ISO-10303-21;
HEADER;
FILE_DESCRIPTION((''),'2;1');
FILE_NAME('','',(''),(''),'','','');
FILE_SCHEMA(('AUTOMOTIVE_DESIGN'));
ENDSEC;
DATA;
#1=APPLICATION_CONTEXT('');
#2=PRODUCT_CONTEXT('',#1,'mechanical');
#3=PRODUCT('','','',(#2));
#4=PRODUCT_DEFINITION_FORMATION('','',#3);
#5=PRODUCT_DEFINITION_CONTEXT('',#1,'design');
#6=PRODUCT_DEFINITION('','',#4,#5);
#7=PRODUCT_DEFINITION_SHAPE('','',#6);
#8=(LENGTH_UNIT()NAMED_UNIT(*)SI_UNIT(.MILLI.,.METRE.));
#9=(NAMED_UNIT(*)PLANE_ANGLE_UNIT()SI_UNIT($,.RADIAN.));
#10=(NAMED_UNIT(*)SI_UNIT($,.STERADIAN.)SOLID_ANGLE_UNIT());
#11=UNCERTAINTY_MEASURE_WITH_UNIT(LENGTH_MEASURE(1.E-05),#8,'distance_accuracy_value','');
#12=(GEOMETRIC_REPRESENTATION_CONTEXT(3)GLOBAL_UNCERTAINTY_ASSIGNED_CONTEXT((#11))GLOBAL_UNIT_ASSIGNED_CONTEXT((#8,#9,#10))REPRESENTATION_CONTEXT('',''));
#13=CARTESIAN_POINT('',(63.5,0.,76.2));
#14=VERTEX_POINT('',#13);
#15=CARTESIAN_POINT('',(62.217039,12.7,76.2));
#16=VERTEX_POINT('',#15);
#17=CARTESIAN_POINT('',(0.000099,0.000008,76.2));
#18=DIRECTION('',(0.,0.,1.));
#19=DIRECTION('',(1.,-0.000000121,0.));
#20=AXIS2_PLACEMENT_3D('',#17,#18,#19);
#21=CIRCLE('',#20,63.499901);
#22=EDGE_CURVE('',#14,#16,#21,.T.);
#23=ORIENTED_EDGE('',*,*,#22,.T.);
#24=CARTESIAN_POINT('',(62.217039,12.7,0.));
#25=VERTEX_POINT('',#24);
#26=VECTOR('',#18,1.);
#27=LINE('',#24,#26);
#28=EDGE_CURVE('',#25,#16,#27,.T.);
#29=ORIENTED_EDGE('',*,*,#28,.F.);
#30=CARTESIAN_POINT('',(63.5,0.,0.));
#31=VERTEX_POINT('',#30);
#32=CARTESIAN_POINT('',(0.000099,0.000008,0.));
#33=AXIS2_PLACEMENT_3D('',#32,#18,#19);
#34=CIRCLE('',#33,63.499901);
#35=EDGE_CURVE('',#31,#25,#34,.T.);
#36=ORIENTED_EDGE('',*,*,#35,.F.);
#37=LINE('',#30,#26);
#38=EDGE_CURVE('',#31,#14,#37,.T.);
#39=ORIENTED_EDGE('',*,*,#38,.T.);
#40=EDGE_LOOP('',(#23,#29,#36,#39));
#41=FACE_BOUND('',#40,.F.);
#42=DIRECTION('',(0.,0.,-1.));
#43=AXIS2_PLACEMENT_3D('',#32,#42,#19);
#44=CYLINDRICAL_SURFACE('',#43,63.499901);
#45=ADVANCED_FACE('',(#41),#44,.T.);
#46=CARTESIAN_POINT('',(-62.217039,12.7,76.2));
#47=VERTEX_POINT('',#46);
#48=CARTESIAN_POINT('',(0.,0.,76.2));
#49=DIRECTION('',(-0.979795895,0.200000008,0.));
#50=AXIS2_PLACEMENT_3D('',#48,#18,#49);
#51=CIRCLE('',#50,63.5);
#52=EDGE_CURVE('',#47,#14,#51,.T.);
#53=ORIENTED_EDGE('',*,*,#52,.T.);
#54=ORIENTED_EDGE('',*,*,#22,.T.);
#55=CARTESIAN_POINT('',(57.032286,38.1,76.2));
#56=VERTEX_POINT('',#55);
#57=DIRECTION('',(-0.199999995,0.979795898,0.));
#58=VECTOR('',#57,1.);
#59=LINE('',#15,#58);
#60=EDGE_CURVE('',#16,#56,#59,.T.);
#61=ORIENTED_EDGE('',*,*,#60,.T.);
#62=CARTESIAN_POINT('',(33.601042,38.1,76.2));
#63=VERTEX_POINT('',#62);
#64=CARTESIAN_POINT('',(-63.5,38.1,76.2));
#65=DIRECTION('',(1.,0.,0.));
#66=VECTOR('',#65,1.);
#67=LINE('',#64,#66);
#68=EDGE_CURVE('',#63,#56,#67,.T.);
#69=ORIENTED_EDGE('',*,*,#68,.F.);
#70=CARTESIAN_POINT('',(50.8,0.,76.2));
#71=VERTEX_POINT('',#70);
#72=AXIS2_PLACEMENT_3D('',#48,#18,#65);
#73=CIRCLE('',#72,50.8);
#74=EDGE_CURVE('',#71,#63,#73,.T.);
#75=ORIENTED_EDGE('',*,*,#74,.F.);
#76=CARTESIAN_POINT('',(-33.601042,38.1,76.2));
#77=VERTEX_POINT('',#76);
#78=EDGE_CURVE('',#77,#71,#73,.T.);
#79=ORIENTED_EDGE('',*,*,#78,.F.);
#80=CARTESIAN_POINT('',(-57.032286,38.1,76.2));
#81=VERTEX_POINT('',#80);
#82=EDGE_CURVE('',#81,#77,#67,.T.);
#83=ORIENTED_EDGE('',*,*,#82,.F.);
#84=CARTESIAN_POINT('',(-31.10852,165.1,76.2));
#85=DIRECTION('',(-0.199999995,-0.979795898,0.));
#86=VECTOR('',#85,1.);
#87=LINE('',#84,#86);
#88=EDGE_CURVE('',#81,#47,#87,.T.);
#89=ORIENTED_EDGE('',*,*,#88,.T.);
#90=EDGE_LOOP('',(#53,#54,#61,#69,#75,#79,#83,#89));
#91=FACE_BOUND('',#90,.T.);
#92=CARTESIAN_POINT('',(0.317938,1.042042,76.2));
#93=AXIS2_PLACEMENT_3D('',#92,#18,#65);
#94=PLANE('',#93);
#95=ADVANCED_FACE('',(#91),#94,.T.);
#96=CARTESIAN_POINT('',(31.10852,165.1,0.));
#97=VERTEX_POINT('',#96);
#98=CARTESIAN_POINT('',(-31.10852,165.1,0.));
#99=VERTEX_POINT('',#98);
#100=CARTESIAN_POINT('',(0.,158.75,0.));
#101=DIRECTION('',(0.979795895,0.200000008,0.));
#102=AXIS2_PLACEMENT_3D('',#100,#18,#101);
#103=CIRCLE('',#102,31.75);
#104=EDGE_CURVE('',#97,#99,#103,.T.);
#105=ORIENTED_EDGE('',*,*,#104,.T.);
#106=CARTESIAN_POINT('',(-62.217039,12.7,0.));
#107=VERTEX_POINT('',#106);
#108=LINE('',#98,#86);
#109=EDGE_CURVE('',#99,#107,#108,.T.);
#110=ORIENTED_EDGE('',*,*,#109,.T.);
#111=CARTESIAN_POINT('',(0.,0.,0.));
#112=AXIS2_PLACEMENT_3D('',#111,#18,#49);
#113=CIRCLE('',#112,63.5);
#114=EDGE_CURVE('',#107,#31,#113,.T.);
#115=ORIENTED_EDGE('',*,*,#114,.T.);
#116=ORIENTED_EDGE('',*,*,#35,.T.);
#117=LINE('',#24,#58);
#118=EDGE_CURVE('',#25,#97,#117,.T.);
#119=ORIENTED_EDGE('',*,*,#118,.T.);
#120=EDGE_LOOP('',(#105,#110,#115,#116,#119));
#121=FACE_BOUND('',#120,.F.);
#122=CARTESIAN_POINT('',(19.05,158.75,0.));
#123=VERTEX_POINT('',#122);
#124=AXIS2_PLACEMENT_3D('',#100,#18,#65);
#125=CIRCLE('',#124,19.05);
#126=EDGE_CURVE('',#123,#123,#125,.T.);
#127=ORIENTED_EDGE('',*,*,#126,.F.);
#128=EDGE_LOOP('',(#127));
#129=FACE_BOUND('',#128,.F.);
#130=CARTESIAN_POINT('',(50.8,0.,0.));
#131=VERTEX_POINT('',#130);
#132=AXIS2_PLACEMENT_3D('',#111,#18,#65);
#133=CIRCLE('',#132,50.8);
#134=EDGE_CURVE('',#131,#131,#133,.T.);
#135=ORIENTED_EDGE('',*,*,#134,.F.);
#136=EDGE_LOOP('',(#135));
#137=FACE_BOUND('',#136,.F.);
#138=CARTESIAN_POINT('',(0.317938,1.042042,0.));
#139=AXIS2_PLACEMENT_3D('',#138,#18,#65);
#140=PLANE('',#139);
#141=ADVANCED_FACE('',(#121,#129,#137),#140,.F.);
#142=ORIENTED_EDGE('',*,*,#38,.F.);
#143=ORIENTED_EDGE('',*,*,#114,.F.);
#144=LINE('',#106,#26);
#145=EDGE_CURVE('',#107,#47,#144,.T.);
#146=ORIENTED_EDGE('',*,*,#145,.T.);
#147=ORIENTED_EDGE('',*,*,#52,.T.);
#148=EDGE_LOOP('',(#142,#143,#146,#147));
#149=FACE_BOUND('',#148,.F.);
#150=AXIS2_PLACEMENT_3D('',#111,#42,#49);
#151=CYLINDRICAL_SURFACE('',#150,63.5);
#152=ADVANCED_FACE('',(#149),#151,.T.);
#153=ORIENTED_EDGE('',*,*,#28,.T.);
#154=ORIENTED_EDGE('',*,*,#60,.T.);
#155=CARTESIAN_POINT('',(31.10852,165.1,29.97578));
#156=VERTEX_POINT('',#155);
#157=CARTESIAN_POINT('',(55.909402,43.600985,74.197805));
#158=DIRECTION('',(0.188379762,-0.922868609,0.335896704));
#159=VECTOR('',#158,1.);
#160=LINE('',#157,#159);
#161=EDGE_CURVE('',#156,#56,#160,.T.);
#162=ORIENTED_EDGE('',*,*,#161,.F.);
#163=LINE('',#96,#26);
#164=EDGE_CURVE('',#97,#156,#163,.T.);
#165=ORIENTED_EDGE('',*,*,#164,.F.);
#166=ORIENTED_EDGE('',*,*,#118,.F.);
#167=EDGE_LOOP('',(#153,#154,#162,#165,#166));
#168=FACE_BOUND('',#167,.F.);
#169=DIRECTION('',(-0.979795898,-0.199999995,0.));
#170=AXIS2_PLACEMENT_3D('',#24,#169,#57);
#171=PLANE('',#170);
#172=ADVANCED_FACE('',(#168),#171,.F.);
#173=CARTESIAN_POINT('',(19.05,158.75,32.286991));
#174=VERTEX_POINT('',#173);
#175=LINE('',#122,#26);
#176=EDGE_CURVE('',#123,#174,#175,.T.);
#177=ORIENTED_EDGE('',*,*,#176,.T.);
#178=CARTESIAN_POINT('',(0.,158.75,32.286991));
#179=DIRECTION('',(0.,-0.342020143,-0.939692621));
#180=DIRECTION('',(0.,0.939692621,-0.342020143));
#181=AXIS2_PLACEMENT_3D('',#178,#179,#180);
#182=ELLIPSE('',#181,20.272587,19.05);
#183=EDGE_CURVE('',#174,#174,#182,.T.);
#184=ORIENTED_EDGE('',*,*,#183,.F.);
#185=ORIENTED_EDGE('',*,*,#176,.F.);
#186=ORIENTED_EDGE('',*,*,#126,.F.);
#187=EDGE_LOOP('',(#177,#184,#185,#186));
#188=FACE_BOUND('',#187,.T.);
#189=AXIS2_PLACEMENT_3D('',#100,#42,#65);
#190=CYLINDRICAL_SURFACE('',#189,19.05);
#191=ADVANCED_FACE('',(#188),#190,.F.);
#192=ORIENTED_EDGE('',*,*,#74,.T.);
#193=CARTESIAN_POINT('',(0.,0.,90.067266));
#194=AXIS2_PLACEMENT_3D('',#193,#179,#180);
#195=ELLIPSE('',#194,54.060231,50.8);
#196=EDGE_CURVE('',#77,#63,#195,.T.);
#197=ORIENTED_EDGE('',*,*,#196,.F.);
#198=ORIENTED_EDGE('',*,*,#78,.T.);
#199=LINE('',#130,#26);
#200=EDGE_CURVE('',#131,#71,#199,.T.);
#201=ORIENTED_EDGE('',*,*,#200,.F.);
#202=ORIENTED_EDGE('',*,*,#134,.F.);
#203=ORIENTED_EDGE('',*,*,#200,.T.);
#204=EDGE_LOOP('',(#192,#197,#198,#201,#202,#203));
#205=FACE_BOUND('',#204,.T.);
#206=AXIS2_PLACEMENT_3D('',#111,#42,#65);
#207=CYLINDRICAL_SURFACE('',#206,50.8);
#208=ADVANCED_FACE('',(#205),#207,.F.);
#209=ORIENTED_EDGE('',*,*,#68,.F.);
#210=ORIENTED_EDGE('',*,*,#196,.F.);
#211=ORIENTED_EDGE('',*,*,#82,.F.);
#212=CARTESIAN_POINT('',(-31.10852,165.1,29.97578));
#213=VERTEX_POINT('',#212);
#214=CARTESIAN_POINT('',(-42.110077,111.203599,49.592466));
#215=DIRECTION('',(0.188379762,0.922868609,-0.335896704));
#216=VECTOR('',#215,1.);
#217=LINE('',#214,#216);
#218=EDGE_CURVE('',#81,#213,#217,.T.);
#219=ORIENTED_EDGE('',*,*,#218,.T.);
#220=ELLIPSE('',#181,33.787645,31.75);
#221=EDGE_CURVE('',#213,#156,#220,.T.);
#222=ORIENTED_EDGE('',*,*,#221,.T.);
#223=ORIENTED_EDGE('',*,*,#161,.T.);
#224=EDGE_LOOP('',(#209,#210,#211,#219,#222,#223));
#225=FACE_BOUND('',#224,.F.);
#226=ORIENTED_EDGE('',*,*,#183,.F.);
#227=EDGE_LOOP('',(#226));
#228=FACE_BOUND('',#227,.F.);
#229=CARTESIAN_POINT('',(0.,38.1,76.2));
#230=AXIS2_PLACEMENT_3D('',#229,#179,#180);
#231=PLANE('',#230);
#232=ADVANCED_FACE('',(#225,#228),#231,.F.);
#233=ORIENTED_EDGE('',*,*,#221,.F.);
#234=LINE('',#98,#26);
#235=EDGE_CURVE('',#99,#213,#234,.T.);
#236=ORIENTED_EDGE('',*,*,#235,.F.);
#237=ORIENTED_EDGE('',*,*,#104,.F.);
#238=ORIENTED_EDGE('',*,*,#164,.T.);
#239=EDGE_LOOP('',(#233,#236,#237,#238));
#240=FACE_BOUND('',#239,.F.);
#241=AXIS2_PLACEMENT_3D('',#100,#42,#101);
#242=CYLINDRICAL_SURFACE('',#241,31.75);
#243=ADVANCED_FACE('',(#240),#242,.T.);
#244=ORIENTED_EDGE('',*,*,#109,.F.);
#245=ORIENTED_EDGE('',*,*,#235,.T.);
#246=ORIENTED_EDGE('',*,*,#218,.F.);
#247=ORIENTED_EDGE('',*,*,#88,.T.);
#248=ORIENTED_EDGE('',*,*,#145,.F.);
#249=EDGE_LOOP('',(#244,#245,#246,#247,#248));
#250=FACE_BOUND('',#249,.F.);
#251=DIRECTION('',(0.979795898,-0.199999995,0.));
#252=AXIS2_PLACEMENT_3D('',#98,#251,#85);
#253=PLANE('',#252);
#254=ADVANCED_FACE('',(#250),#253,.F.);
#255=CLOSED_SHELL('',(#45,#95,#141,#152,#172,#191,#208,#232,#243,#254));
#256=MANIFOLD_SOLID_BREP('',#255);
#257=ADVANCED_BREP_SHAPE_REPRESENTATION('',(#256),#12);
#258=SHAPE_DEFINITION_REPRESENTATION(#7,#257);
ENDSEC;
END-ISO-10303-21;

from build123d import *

# Parameters (mm, degrees)
F0_R     = 50.8
F0_R_2   = 19.05
F1_DEPTH = 76.2
F3_DEPTH = 63.5


with BuildPart() as f1:
    # F0 (on Top) → F1 (new body)
    with BuildSketch(Plane.XY):
        with BuildLine():
            ThreePointArc((-62.217039, 12.7), (-6.382319, -63.178446), (63.5, 0))
            ThreePointArc((63.5, 0), (63.178446, 6.382319), (62.217039, 12.7))
            ThreePointArc((62.217039, 12.7), (0, 63.5), (-62.217039, 12.7))
        make_face()
        Circle(F0_R, mode=Mode.SUBTRACT)
        with BuildLine():
            ThreePointArc((-62.217039, 12.7), (0, 63.5), (62.217039, 12.7))
            Line((62.217039, 12.7), (31.10852, 165.1))
            ThreePointArc((31.10852, 165.1), (31.589223, 161.94116), (31.75, 158.75))
            ThreePointArc((31.75, 158.75), (-3.19116, 127.160777), (-31.10852, 165.1))
            Line((-31.10852, 165.1), (-62.217039, 12.7))
        make_face()
        with BuildLine():
            ThreePointArc((31.75, 158.75), (31.589223, 161.94116), (31.10852, 165.1))
            ThreePointArc((31.10852, 165.1), (0, 190.5), (-31.10852, 165.1))
            ThreePointArc((-31.10852, 165.1), (-3.19116, 127.160777), (31.75, 158.75))
        make_face()
        with Locations((0, 158.75)):
            Circle(F0_R_2, mode=Mode.SUBTRACT)
    extrude(amount=F1_DEPTH)

    # F2 (on Right) → F3 (cut, symmetric)
    with BuildSketch(Plane.YZ):
        Polygon((220.365718, 76.2), (38.1, 76.2), (220.365718, 9.860704), align=None)
    extrude(amount=F3_DEPTH, both=True, mode=Mode.SUBTRACT)


solid = f1.part
